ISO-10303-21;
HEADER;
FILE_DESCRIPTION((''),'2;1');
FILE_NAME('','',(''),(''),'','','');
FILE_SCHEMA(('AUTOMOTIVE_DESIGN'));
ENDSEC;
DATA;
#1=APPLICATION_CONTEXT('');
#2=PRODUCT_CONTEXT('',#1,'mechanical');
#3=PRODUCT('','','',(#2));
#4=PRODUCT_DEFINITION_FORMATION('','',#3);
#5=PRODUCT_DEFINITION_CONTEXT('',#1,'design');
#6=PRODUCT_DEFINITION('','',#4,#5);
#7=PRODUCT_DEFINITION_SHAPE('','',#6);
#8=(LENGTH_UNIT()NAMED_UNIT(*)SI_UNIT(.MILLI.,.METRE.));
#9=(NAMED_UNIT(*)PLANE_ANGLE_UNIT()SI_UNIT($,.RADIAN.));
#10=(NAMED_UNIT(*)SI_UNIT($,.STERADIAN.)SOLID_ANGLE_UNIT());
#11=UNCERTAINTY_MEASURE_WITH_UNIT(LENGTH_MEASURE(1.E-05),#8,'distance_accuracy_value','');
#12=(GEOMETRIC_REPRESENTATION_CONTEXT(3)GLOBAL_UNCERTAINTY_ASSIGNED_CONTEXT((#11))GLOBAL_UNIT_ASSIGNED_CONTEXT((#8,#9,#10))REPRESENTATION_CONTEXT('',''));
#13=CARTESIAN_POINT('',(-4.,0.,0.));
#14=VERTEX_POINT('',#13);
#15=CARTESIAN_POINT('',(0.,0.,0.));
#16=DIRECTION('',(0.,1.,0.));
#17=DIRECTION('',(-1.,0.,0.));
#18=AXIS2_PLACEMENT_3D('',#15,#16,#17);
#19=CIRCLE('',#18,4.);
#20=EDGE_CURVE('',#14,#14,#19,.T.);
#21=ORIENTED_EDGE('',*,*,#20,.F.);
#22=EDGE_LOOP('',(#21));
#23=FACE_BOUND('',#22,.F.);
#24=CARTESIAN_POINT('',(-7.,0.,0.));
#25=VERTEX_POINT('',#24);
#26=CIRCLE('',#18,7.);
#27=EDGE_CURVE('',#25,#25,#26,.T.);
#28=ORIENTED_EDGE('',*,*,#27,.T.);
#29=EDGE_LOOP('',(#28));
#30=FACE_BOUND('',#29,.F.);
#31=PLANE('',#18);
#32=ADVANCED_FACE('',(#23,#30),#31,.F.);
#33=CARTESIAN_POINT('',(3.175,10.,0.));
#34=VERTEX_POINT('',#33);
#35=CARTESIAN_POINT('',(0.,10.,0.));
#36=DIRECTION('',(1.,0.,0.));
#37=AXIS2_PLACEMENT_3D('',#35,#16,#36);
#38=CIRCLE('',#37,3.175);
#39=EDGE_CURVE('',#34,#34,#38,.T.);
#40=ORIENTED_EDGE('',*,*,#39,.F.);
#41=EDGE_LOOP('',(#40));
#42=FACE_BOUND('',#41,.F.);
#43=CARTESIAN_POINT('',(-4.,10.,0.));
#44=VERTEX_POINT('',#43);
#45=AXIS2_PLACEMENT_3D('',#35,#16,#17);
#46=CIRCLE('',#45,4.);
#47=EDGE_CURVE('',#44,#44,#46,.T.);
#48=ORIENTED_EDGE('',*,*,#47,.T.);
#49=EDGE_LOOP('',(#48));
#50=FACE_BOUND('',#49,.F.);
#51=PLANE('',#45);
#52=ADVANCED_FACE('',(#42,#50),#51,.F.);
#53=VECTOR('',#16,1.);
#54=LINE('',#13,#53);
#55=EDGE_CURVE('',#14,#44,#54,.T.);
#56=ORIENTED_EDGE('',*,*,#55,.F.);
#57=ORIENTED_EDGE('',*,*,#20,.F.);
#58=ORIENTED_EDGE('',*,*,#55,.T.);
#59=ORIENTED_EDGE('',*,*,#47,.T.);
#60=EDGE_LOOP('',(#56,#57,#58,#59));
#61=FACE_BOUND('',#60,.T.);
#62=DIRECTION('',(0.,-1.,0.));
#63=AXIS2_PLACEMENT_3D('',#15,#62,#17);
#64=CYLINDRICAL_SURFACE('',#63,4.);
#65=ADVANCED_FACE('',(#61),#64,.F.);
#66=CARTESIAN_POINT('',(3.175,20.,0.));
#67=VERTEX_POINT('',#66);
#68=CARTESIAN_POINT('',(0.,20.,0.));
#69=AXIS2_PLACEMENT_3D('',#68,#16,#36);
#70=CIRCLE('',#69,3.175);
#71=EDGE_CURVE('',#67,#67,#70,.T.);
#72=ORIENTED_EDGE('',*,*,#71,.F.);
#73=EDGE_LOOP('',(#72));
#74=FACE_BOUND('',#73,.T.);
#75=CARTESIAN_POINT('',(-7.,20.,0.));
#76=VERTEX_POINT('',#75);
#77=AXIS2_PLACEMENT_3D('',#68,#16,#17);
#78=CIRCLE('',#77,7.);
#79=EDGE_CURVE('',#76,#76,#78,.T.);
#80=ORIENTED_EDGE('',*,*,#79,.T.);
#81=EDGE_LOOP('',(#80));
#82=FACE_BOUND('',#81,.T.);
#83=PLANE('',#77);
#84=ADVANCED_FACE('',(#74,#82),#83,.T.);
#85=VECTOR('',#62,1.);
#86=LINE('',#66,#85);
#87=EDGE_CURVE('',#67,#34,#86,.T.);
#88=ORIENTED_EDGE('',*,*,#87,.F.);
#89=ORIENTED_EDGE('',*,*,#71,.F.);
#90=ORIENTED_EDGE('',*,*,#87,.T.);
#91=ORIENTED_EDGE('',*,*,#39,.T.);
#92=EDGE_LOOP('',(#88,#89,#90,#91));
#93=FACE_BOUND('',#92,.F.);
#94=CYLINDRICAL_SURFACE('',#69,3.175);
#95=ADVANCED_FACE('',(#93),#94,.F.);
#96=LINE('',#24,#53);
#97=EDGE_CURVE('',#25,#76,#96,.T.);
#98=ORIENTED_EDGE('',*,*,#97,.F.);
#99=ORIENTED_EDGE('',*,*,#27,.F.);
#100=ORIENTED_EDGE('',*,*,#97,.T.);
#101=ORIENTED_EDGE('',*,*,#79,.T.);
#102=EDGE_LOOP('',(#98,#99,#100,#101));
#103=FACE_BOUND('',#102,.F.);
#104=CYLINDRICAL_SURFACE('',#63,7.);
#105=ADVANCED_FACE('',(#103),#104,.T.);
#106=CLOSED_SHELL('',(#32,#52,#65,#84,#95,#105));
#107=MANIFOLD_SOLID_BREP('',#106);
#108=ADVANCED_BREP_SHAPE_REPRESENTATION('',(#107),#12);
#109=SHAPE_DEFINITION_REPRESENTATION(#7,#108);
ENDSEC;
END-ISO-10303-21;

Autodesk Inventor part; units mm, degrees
ref_plane "YZ Plane" through (0, 0, 0) normal (1, 0, 0) x (0, 1, 0)
ref_plane "XZ Plane" through (0, 0, 0) normal (0, 1, 0) x (-1, 0, 0)
ref_plane "XY Plane" through (0, 0, 0) normal (0, 0, 1) x (1, 0, 0)
sketch "Sketch1" plane through (0, 0, 0) normal (0, 1, 0) x (-1, 0, 0)
  circle A0 centre (0, 0) radius 4
  circle A1 centre (0, 0) radius 7
  dimension "d0" = 8
  dimension "d1" = 3
extrude "Extrusion1" add sketch "Sketch1" along normal blind 20 contours A0 | A1
sketch "Sketch2" plane through (0, 20, 0) normal (0, 1, 0) x (1, 0, 0)
  circle A0 centre (0, 0) radius 3.175
  dimension "d4" = 6.35
extrude "Extrusion2" cut sketch "Sketch2" against normal blind 10
extrude "Extrusion3" cut sketch "Sketch1" along normal blind 10 contours A0
properties part number "mixer_coupler"
